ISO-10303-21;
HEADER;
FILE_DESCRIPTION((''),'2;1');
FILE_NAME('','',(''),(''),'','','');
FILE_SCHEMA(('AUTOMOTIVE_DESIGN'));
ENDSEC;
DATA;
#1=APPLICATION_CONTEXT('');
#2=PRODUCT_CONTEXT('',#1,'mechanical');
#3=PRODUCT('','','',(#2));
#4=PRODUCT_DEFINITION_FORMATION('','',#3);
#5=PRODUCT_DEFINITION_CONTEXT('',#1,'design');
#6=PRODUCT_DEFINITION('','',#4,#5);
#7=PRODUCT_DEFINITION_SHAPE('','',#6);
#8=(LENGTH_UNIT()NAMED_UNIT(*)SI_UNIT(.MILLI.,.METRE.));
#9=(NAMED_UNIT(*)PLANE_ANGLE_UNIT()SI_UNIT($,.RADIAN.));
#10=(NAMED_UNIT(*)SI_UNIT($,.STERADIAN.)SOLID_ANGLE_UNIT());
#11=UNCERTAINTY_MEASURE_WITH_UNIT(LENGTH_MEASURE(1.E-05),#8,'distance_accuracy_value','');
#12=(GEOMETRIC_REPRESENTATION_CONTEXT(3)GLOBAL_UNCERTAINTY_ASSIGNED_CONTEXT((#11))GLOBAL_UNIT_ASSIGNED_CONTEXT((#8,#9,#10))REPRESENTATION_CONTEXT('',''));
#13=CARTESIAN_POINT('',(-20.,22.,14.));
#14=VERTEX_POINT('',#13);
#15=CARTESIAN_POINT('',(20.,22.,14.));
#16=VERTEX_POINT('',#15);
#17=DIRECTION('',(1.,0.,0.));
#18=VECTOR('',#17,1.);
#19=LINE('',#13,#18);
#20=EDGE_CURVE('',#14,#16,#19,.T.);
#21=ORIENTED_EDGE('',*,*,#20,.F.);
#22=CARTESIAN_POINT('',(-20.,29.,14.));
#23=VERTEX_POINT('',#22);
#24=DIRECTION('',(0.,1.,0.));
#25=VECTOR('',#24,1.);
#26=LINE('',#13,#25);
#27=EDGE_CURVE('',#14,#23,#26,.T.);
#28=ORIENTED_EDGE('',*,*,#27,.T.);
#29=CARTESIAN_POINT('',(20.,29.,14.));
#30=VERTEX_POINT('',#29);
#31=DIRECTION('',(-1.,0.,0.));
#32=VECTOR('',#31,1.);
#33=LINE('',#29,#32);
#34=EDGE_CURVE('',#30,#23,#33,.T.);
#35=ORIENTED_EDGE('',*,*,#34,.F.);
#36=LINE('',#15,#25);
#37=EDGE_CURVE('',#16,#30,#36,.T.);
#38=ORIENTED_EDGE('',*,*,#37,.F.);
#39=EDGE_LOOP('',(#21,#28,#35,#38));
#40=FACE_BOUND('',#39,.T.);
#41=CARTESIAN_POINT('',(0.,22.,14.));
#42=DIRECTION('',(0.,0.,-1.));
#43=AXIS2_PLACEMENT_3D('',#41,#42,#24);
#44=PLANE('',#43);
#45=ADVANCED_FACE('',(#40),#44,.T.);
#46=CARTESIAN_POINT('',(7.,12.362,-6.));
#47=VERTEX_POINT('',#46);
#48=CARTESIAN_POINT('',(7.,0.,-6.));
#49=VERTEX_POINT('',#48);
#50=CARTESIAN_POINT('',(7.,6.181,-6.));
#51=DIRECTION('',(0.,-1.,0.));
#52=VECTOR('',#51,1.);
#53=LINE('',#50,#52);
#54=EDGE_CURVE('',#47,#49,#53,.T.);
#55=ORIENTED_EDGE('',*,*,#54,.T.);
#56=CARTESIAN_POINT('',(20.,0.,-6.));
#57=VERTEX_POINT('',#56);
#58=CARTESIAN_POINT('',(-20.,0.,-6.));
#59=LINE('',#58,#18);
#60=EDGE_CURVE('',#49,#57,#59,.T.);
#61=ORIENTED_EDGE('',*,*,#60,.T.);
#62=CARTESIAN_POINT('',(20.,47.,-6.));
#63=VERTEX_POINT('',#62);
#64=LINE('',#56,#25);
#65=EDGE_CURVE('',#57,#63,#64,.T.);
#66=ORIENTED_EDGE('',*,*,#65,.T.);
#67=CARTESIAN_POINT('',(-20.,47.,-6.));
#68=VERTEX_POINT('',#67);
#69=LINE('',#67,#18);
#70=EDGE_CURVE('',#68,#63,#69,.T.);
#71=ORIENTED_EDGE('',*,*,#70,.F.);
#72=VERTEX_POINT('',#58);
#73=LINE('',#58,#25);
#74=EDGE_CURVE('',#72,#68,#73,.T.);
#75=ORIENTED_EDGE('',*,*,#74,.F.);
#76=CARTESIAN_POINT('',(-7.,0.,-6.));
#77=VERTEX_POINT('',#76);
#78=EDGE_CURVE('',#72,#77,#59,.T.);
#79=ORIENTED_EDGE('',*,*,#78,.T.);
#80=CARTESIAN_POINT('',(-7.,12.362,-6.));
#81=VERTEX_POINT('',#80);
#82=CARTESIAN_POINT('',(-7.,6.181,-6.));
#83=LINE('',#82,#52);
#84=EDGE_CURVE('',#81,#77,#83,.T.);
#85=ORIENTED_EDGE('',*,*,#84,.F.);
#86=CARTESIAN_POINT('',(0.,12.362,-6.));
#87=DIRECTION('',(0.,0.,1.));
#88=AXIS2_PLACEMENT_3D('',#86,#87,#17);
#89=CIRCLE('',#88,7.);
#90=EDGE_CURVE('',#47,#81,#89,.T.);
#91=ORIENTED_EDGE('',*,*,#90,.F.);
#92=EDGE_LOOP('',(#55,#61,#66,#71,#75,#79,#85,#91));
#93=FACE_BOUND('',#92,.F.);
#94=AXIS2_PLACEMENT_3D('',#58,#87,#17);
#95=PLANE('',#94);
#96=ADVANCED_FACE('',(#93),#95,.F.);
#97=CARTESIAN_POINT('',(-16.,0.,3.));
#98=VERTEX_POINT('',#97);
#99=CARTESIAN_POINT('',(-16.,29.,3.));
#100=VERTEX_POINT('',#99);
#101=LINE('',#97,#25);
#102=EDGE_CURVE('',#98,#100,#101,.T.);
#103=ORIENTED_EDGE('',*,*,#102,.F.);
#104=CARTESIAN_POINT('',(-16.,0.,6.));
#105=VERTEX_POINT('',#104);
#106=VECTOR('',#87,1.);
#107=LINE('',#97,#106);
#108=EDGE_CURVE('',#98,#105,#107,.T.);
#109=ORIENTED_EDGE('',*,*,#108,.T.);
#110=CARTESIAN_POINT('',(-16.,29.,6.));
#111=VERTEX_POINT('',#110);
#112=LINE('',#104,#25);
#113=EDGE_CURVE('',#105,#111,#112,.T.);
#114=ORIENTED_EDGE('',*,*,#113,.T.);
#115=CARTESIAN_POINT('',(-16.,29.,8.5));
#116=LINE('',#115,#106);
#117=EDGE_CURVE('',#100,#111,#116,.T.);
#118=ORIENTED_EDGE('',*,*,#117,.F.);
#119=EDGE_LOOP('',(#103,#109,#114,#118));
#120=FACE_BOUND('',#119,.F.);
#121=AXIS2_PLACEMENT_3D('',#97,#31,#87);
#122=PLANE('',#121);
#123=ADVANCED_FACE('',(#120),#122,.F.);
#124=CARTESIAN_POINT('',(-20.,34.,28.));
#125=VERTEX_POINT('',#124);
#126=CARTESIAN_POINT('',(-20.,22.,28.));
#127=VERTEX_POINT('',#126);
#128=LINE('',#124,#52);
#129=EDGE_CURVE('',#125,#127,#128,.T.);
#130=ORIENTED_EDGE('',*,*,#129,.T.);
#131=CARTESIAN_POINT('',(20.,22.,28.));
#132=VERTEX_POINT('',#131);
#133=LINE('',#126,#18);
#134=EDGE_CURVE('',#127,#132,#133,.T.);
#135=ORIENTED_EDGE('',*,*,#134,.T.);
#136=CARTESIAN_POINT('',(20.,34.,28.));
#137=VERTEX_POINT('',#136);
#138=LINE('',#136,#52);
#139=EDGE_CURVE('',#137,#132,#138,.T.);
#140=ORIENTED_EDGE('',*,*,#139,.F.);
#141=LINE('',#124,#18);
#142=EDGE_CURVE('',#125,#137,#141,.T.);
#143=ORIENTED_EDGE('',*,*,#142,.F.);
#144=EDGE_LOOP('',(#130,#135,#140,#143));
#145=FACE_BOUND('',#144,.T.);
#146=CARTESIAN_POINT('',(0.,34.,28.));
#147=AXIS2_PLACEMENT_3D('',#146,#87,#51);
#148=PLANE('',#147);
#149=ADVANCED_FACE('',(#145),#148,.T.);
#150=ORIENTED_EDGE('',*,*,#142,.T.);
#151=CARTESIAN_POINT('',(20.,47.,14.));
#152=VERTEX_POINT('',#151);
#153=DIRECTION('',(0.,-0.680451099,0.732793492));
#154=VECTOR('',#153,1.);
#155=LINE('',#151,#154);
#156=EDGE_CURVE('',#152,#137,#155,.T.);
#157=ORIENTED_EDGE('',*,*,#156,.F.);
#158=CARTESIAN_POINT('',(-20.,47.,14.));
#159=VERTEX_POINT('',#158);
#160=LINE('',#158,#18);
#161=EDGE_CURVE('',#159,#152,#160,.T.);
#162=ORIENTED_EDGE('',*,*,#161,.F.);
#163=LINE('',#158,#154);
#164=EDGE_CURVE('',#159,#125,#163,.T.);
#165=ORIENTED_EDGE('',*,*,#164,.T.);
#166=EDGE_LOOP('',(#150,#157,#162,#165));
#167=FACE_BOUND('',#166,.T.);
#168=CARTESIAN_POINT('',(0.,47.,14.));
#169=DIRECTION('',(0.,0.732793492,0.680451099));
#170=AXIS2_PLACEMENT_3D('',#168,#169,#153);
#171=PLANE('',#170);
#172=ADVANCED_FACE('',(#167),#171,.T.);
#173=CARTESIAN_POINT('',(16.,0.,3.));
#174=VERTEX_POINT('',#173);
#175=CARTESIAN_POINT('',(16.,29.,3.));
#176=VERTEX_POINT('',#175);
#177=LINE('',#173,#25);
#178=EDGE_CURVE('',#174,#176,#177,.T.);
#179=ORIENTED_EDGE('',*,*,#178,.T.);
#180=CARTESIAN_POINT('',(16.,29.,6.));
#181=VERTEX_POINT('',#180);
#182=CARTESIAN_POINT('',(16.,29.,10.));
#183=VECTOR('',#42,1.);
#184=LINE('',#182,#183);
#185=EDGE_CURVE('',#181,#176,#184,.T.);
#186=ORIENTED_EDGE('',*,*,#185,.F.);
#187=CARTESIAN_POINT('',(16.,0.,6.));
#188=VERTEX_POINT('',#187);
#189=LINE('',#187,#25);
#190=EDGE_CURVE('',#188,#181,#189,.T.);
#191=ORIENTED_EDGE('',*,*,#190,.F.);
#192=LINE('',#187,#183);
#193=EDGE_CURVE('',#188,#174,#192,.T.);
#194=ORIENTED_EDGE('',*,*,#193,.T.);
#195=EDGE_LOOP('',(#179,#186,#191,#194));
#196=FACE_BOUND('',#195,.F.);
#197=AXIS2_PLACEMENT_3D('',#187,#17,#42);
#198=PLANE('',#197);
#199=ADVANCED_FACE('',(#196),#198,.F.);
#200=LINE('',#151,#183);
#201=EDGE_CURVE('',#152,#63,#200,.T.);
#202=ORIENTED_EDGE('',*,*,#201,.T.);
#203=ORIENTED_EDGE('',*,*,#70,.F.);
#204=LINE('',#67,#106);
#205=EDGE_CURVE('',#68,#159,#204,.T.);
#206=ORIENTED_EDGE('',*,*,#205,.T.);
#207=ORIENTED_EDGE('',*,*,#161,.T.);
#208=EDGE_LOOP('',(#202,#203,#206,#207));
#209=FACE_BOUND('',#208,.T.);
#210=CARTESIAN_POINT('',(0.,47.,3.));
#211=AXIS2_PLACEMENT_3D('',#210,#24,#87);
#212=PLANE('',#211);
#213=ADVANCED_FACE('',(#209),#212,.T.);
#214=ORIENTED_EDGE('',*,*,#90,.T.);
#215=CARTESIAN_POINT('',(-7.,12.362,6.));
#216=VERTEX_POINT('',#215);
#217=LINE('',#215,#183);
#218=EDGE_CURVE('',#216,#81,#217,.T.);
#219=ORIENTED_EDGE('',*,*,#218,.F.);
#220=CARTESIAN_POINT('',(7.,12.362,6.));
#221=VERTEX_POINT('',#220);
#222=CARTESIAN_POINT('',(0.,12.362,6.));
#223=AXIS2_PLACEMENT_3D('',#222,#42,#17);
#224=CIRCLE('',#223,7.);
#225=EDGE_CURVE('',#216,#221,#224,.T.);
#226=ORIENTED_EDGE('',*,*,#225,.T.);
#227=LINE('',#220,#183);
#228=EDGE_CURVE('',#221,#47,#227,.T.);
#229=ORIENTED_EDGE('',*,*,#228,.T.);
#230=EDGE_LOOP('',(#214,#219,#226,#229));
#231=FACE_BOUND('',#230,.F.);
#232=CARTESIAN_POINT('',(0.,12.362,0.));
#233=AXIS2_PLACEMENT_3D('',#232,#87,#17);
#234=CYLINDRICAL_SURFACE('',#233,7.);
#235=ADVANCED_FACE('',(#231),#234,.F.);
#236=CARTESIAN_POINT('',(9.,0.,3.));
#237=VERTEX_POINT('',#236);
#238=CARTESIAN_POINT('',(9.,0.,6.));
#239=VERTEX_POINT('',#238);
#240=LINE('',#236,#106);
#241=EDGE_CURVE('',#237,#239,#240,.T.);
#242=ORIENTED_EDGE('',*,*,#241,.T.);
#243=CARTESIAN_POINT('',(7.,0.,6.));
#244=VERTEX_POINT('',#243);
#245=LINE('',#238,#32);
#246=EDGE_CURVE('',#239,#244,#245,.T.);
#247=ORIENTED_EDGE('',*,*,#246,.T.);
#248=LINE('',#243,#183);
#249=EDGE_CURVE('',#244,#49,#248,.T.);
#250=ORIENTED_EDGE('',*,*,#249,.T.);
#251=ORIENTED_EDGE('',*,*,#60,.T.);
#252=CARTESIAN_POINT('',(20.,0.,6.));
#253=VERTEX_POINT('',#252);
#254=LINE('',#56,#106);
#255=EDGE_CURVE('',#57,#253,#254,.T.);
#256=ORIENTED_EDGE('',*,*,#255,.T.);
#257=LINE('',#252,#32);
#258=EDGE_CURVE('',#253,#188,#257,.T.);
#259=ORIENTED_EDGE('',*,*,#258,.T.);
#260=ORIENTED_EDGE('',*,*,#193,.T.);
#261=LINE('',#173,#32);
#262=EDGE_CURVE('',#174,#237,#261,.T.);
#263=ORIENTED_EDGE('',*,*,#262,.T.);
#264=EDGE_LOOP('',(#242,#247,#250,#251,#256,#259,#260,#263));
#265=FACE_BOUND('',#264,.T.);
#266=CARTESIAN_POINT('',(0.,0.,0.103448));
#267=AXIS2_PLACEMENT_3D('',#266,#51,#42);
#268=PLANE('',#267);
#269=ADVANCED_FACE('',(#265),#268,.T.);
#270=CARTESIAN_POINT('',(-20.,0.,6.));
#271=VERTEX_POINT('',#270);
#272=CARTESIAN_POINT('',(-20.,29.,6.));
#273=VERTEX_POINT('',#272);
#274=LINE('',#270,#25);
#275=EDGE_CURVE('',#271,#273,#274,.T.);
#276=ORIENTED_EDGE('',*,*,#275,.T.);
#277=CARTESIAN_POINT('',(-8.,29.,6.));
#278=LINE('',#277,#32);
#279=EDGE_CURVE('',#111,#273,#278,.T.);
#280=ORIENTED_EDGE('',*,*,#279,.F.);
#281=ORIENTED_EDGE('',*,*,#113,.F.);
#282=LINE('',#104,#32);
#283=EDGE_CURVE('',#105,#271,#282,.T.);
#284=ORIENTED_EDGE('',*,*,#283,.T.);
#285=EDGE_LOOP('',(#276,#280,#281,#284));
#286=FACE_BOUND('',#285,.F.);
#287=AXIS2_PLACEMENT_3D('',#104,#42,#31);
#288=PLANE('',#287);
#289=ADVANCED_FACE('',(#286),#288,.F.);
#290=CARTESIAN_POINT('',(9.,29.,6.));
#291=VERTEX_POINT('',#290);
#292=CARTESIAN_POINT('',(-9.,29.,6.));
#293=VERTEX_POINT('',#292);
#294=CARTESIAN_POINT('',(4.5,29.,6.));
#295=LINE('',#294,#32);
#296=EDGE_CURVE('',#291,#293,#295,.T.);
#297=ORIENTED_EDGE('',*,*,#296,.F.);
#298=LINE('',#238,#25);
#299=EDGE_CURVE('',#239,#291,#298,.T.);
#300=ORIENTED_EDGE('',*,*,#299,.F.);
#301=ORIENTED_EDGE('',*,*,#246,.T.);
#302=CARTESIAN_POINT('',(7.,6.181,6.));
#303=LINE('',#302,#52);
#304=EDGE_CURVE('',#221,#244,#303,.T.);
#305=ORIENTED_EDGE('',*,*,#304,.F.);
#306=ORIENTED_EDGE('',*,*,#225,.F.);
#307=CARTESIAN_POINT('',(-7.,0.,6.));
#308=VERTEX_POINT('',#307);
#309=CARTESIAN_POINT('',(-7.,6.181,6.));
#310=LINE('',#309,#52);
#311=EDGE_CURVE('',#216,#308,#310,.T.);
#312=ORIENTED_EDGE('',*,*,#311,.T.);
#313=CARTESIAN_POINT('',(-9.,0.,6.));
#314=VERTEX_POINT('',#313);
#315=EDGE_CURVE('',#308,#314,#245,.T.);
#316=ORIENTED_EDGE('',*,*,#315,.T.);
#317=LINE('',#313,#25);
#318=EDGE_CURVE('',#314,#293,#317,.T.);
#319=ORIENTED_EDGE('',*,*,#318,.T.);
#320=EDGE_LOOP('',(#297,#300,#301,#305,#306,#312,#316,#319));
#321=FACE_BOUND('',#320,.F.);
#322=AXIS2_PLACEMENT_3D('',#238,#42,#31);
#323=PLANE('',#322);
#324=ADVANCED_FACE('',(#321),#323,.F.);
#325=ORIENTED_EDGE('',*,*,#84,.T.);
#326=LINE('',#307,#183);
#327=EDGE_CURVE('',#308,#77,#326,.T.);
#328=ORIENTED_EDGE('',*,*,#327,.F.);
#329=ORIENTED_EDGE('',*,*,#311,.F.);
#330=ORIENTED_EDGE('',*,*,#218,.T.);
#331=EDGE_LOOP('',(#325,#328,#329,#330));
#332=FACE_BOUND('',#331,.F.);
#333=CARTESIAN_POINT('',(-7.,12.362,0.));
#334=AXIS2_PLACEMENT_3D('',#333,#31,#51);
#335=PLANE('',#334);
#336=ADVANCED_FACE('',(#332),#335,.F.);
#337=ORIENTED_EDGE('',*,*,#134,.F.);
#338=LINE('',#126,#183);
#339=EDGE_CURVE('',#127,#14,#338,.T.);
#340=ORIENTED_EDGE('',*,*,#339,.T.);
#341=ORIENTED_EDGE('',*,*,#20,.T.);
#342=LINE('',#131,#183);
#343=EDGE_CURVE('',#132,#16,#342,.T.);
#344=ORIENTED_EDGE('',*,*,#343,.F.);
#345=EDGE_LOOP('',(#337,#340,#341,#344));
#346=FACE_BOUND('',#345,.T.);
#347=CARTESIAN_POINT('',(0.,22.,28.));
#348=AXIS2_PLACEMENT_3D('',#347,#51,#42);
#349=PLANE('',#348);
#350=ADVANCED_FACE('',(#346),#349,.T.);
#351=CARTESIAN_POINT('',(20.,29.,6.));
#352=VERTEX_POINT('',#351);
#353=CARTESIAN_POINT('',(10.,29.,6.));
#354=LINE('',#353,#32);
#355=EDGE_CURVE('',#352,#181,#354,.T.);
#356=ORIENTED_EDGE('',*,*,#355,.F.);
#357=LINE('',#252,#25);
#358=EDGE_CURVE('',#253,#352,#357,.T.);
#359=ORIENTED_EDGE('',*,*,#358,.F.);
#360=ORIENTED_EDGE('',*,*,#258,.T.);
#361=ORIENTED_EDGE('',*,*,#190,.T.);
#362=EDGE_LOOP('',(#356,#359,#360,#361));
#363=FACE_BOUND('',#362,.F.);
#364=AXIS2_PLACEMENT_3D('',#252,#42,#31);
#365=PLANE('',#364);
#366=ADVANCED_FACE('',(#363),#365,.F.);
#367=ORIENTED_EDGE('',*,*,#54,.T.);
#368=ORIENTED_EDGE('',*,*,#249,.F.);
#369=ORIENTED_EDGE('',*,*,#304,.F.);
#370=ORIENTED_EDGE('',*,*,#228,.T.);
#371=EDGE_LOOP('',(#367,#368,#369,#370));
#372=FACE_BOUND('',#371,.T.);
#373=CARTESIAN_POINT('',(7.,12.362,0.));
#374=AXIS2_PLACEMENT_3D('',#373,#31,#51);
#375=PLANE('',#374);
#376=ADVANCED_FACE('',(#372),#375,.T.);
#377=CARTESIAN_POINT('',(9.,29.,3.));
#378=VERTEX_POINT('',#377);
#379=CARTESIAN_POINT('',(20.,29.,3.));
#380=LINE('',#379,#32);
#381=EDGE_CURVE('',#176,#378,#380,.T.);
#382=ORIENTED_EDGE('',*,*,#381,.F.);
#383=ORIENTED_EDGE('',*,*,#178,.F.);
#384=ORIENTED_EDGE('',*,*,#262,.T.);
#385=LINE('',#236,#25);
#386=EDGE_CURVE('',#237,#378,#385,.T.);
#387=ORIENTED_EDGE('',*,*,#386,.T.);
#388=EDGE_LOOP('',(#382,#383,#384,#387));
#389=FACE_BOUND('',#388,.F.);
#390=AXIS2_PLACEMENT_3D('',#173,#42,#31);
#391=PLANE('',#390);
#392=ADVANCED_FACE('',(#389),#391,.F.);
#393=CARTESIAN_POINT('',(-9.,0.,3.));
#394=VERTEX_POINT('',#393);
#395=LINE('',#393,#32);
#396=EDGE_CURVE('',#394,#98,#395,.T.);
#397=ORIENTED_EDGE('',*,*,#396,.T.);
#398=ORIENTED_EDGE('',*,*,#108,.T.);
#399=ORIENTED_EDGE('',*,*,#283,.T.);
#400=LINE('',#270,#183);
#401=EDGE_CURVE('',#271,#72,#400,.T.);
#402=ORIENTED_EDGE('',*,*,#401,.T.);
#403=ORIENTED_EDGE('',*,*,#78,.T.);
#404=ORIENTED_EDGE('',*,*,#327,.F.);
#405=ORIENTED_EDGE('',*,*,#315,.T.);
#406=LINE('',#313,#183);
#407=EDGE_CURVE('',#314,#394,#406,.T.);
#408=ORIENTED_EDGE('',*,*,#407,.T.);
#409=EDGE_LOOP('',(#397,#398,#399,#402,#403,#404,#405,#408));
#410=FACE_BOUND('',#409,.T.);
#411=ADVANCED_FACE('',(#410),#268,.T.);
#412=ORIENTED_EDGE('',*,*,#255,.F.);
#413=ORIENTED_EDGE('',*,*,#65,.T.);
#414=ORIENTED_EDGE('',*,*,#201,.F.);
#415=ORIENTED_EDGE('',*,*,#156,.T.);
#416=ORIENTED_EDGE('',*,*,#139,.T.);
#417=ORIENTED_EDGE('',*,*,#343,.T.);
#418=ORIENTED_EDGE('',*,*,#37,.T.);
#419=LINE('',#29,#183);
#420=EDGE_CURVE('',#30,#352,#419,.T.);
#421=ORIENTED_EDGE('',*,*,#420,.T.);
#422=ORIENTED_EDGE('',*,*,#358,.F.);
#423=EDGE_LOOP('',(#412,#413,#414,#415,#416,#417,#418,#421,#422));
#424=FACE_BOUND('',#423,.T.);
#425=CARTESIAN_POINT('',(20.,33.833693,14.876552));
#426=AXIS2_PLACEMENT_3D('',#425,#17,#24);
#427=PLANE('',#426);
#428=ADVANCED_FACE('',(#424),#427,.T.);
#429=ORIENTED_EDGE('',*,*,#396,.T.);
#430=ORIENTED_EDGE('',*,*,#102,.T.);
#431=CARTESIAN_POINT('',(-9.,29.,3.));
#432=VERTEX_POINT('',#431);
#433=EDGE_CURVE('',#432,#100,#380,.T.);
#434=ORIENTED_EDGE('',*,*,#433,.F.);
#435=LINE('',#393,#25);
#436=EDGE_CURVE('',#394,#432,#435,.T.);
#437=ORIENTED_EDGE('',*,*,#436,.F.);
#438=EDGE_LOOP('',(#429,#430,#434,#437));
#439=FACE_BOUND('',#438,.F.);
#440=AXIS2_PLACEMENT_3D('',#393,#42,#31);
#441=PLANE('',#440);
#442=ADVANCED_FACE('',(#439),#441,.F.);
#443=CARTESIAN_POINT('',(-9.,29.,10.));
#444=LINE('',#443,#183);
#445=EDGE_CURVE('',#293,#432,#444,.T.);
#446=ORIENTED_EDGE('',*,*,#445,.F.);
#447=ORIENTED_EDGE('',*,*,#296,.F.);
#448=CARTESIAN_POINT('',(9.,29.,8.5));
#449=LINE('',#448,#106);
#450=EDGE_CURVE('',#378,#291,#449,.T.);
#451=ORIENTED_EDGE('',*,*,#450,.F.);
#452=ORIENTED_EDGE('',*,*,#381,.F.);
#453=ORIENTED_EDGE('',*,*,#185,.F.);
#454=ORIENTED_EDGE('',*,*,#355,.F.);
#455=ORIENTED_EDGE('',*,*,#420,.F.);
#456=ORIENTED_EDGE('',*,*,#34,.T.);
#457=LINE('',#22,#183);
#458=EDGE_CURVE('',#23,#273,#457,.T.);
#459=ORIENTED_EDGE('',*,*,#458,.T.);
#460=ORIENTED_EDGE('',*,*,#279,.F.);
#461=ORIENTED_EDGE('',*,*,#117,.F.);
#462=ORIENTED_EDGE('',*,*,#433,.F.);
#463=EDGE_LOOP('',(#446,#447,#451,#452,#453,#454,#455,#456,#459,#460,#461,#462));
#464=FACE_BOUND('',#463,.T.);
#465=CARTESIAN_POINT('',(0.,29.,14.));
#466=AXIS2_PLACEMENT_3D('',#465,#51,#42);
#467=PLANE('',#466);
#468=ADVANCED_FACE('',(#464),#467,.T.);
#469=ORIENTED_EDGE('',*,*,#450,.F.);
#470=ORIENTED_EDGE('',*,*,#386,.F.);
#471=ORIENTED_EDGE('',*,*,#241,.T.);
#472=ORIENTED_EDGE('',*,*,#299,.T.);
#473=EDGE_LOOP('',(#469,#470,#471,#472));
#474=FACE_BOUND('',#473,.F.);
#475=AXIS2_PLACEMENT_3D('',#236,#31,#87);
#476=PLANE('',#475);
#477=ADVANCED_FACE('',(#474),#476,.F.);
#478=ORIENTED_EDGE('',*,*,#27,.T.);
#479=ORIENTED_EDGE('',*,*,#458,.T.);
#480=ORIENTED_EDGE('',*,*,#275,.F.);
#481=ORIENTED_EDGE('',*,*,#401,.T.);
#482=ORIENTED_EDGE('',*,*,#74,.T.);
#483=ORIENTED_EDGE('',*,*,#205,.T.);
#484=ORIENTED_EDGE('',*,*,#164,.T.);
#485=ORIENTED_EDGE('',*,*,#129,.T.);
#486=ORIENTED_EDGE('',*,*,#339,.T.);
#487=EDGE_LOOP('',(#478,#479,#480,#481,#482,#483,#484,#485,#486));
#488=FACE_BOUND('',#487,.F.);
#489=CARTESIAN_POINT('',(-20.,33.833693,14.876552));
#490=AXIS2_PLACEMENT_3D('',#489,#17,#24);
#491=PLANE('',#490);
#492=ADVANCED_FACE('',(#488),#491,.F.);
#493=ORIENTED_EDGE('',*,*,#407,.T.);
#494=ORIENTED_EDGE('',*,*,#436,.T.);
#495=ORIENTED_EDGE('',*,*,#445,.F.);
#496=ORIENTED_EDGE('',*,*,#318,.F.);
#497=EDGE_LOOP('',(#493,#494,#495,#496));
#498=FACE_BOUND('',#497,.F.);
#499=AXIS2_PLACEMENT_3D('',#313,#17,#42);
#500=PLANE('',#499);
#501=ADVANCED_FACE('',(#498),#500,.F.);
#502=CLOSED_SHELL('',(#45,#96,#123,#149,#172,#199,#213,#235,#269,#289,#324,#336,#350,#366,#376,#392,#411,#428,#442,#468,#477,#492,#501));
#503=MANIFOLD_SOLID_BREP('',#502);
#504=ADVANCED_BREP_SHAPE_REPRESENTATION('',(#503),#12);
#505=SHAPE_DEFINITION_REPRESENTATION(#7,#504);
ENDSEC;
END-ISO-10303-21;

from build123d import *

# Parameters (mm, degrees)
PAD_DEPTH         = 20
POCKET_DEPTH      = 6.001
POCKET_DEPTH_BACK = -28.001


with BuildPart() as part:
    # AdditivePipe: sweep along a path in Sketch
    with BuildLine(Plane.XY) as additivepipe_path:
        Line((0, 0), (0, 47))
    # Sketch001 → AdditivePipe (sweep)
    with BuildSketch(Plane.XZ):
        Polygon((-20, 6), (-20, -6), (-16, -6), (-9, -6), (9, -6), (16, -6), (20, -6), (20, 6), (16, 6), (16, 3), (9, 3), (9, 6), (-9, 6), (-9, 3), (-16, 3), (-16, 6), align=None)
    sweep(path=additivepipe_path.line)

    # Sketch002 → Pad (new body, symmetric)
    with BuildSketch(Plane.YZ):
        Polygon((47, 3), (47, 14), (34, 28), (22, 28), (22, 14), (29, 14), (29, 3), align=None)
    extrude(amount=PAD_DEPTH, both=True)

    # Sketch003 → Pocket (cut, two sides)
    with BuildSketch(Plane.XY) as pocket_sk:
        with BuildLine():
            ThreePointArc((7, 12.362), (0, 19.362), (-7, 12.362))
            Line((-7, 12.362), (-7, 0))
            Line((-7, 0), (7, 0))
            Line((7, 12.362), (7, 0))
        make_face()
    extrude(amount=-POCKET_DEPTH, mode=Mode.SUBTRACT)
    extrude(pocket_sk.sketch, amount=-POCKET_DEPTH_BACK, mode=Mode.SUBTRACT)


solid = part.part
